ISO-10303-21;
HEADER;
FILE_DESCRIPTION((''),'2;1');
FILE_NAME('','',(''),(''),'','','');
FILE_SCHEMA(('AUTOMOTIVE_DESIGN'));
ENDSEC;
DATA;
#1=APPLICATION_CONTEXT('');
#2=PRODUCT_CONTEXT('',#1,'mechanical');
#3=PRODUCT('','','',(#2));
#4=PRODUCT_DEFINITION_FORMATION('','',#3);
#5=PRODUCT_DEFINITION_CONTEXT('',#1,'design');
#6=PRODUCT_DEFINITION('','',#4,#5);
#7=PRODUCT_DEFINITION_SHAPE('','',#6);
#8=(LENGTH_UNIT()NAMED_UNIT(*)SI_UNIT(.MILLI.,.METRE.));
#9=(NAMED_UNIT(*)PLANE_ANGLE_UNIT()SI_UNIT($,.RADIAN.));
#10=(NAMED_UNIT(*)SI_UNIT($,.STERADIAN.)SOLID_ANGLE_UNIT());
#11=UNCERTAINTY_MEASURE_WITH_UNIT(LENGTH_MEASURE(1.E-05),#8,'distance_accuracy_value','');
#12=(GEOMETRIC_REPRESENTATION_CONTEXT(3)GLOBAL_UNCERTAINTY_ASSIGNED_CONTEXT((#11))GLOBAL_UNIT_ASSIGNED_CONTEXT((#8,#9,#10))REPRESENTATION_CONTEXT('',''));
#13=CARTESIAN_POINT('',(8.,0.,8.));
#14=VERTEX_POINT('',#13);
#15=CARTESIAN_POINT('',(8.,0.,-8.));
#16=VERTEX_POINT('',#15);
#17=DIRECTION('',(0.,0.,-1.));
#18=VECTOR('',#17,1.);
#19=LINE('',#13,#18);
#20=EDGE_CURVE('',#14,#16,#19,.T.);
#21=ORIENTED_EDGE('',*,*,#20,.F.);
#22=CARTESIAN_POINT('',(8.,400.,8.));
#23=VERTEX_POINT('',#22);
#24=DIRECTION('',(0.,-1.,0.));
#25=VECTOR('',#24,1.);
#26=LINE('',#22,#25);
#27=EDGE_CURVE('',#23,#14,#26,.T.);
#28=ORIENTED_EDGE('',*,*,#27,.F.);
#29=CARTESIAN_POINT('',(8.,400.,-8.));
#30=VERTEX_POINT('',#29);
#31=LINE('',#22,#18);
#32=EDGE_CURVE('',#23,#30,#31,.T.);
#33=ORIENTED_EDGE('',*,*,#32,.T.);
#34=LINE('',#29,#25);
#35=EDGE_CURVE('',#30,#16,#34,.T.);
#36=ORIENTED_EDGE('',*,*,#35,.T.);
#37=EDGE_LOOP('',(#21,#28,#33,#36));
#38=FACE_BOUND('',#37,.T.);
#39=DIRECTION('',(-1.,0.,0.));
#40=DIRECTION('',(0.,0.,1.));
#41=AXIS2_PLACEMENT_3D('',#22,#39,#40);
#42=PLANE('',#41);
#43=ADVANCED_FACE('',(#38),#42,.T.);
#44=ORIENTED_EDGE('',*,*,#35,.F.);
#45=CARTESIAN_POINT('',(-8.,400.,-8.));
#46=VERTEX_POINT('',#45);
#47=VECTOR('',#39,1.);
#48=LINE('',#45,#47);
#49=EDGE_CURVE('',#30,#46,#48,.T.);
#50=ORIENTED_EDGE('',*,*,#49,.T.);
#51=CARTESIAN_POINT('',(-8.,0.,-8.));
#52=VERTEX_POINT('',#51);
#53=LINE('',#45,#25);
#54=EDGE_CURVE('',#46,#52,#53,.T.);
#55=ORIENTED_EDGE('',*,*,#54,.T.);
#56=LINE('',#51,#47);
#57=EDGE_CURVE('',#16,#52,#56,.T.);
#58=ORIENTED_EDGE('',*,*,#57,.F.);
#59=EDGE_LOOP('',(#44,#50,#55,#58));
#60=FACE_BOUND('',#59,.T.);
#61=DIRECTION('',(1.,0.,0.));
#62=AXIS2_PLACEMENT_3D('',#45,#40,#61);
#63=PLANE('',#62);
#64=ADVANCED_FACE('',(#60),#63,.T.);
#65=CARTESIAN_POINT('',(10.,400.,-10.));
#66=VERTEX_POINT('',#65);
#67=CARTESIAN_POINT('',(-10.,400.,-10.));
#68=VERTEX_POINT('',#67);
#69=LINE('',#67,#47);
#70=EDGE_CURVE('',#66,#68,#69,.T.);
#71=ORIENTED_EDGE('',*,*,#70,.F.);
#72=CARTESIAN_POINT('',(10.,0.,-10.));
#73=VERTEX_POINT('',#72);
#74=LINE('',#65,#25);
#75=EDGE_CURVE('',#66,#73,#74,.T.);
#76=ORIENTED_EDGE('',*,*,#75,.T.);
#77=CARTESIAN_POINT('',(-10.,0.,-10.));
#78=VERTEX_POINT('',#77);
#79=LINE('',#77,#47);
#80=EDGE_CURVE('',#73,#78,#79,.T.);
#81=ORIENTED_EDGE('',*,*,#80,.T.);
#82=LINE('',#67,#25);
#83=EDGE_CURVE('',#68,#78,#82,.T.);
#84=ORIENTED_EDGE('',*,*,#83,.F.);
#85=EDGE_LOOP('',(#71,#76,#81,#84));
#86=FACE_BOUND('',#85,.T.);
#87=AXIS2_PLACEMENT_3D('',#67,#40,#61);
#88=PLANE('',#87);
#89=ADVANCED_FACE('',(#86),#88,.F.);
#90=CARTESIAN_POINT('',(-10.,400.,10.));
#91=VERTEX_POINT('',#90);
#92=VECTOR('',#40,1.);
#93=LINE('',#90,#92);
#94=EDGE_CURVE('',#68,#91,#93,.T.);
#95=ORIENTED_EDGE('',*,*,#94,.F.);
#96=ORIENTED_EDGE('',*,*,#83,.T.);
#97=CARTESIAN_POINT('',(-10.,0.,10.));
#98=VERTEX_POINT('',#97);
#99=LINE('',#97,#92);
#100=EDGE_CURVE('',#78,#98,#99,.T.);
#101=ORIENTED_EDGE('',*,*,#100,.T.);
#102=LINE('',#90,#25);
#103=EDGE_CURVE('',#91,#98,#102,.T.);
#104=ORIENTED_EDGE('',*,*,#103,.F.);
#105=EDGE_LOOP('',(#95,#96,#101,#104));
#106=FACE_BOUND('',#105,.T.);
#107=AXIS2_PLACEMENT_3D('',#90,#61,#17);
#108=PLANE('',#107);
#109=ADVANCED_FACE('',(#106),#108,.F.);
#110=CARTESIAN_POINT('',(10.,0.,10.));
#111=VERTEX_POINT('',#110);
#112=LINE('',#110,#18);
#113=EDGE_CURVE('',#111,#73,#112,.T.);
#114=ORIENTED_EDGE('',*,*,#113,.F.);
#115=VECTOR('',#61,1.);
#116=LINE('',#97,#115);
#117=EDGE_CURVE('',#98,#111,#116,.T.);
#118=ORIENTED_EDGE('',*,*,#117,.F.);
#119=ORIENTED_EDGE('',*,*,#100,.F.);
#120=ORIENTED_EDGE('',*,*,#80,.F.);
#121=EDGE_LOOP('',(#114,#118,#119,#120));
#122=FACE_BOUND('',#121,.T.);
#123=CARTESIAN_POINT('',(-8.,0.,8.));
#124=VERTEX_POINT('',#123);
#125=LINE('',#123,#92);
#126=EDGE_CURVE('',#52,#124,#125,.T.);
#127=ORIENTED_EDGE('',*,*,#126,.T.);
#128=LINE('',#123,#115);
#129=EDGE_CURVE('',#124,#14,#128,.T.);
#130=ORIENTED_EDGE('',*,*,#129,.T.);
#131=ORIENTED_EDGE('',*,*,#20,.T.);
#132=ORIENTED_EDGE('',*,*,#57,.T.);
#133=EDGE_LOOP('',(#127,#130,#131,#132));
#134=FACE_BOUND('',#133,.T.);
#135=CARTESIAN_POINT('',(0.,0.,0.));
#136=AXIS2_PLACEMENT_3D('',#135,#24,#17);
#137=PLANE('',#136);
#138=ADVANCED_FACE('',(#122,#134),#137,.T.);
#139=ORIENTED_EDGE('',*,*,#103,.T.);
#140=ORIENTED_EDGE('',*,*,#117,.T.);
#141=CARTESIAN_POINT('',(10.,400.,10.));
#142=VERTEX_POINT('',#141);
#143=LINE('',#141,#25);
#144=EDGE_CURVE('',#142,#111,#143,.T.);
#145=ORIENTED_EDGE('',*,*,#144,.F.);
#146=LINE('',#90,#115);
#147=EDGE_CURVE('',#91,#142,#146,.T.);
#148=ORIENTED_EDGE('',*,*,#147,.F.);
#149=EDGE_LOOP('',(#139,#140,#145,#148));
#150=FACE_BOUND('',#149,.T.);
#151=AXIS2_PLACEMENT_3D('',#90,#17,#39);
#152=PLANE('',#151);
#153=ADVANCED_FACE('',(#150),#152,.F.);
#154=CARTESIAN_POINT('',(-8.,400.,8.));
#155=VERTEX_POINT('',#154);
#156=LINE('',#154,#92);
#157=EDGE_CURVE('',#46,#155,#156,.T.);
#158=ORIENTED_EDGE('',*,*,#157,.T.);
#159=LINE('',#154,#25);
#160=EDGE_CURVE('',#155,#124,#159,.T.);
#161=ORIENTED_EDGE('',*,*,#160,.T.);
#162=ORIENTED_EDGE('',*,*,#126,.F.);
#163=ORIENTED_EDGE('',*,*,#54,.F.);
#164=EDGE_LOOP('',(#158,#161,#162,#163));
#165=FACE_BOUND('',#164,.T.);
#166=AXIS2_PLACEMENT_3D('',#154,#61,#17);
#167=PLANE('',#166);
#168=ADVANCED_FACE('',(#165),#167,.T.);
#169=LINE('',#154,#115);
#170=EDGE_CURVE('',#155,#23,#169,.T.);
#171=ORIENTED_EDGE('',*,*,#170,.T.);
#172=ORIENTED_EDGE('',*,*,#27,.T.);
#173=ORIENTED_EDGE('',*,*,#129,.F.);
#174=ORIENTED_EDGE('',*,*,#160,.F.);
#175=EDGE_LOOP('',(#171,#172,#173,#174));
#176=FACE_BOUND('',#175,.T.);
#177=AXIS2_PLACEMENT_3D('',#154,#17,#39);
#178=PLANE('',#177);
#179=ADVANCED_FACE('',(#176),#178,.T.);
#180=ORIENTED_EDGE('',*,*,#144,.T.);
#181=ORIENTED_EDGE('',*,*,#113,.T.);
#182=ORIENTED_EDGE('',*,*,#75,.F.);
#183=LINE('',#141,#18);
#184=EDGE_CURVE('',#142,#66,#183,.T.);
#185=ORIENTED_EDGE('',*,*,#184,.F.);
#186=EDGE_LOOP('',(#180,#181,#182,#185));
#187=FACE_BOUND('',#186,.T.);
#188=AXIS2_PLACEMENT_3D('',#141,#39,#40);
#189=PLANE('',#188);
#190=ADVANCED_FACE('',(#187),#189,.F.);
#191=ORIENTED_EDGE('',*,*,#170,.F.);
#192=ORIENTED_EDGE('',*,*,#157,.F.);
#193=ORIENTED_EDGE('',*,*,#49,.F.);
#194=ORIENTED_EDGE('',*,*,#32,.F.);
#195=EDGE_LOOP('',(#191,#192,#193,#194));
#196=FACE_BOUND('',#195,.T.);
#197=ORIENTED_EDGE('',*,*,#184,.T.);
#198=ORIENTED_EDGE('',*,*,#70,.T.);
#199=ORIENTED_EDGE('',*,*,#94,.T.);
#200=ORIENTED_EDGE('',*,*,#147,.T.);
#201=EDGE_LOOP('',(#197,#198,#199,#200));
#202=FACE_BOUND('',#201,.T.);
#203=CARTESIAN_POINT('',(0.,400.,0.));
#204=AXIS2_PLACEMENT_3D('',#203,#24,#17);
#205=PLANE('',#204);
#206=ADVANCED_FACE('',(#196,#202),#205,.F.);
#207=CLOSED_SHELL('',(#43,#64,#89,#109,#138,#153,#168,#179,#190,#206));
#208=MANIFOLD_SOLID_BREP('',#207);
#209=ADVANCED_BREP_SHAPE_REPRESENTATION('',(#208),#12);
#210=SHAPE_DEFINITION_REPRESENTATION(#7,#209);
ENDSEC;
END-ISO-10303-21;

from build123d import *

# Parameters (mm, degrees)
SKETCH1_W           = 20
SKETCH1_H           = 20
SKETCH1_W_2         = 16
SKETCH1_H_2         = 16
BOSS_EXTRUDE1_DEPTH = 400


with BuildPart() as part:
    # Sketch1 → Boss-Extrude1 (new body)
    with BuildSketch(Plane(origin=(0, 0, 0), x_dir=(1, 0, 0), z_dir=(0, 1, 0))):
        Rectangle(SKETCH1_W, SKETCH1_H)
        Rectangle(SKETCH1_W_2, SKETCH1_H_2, mode=Mode.SUBTRACT)
    extrude(amount=BOSS_EXTRUDE1_DEPTH)


solid = part.part
